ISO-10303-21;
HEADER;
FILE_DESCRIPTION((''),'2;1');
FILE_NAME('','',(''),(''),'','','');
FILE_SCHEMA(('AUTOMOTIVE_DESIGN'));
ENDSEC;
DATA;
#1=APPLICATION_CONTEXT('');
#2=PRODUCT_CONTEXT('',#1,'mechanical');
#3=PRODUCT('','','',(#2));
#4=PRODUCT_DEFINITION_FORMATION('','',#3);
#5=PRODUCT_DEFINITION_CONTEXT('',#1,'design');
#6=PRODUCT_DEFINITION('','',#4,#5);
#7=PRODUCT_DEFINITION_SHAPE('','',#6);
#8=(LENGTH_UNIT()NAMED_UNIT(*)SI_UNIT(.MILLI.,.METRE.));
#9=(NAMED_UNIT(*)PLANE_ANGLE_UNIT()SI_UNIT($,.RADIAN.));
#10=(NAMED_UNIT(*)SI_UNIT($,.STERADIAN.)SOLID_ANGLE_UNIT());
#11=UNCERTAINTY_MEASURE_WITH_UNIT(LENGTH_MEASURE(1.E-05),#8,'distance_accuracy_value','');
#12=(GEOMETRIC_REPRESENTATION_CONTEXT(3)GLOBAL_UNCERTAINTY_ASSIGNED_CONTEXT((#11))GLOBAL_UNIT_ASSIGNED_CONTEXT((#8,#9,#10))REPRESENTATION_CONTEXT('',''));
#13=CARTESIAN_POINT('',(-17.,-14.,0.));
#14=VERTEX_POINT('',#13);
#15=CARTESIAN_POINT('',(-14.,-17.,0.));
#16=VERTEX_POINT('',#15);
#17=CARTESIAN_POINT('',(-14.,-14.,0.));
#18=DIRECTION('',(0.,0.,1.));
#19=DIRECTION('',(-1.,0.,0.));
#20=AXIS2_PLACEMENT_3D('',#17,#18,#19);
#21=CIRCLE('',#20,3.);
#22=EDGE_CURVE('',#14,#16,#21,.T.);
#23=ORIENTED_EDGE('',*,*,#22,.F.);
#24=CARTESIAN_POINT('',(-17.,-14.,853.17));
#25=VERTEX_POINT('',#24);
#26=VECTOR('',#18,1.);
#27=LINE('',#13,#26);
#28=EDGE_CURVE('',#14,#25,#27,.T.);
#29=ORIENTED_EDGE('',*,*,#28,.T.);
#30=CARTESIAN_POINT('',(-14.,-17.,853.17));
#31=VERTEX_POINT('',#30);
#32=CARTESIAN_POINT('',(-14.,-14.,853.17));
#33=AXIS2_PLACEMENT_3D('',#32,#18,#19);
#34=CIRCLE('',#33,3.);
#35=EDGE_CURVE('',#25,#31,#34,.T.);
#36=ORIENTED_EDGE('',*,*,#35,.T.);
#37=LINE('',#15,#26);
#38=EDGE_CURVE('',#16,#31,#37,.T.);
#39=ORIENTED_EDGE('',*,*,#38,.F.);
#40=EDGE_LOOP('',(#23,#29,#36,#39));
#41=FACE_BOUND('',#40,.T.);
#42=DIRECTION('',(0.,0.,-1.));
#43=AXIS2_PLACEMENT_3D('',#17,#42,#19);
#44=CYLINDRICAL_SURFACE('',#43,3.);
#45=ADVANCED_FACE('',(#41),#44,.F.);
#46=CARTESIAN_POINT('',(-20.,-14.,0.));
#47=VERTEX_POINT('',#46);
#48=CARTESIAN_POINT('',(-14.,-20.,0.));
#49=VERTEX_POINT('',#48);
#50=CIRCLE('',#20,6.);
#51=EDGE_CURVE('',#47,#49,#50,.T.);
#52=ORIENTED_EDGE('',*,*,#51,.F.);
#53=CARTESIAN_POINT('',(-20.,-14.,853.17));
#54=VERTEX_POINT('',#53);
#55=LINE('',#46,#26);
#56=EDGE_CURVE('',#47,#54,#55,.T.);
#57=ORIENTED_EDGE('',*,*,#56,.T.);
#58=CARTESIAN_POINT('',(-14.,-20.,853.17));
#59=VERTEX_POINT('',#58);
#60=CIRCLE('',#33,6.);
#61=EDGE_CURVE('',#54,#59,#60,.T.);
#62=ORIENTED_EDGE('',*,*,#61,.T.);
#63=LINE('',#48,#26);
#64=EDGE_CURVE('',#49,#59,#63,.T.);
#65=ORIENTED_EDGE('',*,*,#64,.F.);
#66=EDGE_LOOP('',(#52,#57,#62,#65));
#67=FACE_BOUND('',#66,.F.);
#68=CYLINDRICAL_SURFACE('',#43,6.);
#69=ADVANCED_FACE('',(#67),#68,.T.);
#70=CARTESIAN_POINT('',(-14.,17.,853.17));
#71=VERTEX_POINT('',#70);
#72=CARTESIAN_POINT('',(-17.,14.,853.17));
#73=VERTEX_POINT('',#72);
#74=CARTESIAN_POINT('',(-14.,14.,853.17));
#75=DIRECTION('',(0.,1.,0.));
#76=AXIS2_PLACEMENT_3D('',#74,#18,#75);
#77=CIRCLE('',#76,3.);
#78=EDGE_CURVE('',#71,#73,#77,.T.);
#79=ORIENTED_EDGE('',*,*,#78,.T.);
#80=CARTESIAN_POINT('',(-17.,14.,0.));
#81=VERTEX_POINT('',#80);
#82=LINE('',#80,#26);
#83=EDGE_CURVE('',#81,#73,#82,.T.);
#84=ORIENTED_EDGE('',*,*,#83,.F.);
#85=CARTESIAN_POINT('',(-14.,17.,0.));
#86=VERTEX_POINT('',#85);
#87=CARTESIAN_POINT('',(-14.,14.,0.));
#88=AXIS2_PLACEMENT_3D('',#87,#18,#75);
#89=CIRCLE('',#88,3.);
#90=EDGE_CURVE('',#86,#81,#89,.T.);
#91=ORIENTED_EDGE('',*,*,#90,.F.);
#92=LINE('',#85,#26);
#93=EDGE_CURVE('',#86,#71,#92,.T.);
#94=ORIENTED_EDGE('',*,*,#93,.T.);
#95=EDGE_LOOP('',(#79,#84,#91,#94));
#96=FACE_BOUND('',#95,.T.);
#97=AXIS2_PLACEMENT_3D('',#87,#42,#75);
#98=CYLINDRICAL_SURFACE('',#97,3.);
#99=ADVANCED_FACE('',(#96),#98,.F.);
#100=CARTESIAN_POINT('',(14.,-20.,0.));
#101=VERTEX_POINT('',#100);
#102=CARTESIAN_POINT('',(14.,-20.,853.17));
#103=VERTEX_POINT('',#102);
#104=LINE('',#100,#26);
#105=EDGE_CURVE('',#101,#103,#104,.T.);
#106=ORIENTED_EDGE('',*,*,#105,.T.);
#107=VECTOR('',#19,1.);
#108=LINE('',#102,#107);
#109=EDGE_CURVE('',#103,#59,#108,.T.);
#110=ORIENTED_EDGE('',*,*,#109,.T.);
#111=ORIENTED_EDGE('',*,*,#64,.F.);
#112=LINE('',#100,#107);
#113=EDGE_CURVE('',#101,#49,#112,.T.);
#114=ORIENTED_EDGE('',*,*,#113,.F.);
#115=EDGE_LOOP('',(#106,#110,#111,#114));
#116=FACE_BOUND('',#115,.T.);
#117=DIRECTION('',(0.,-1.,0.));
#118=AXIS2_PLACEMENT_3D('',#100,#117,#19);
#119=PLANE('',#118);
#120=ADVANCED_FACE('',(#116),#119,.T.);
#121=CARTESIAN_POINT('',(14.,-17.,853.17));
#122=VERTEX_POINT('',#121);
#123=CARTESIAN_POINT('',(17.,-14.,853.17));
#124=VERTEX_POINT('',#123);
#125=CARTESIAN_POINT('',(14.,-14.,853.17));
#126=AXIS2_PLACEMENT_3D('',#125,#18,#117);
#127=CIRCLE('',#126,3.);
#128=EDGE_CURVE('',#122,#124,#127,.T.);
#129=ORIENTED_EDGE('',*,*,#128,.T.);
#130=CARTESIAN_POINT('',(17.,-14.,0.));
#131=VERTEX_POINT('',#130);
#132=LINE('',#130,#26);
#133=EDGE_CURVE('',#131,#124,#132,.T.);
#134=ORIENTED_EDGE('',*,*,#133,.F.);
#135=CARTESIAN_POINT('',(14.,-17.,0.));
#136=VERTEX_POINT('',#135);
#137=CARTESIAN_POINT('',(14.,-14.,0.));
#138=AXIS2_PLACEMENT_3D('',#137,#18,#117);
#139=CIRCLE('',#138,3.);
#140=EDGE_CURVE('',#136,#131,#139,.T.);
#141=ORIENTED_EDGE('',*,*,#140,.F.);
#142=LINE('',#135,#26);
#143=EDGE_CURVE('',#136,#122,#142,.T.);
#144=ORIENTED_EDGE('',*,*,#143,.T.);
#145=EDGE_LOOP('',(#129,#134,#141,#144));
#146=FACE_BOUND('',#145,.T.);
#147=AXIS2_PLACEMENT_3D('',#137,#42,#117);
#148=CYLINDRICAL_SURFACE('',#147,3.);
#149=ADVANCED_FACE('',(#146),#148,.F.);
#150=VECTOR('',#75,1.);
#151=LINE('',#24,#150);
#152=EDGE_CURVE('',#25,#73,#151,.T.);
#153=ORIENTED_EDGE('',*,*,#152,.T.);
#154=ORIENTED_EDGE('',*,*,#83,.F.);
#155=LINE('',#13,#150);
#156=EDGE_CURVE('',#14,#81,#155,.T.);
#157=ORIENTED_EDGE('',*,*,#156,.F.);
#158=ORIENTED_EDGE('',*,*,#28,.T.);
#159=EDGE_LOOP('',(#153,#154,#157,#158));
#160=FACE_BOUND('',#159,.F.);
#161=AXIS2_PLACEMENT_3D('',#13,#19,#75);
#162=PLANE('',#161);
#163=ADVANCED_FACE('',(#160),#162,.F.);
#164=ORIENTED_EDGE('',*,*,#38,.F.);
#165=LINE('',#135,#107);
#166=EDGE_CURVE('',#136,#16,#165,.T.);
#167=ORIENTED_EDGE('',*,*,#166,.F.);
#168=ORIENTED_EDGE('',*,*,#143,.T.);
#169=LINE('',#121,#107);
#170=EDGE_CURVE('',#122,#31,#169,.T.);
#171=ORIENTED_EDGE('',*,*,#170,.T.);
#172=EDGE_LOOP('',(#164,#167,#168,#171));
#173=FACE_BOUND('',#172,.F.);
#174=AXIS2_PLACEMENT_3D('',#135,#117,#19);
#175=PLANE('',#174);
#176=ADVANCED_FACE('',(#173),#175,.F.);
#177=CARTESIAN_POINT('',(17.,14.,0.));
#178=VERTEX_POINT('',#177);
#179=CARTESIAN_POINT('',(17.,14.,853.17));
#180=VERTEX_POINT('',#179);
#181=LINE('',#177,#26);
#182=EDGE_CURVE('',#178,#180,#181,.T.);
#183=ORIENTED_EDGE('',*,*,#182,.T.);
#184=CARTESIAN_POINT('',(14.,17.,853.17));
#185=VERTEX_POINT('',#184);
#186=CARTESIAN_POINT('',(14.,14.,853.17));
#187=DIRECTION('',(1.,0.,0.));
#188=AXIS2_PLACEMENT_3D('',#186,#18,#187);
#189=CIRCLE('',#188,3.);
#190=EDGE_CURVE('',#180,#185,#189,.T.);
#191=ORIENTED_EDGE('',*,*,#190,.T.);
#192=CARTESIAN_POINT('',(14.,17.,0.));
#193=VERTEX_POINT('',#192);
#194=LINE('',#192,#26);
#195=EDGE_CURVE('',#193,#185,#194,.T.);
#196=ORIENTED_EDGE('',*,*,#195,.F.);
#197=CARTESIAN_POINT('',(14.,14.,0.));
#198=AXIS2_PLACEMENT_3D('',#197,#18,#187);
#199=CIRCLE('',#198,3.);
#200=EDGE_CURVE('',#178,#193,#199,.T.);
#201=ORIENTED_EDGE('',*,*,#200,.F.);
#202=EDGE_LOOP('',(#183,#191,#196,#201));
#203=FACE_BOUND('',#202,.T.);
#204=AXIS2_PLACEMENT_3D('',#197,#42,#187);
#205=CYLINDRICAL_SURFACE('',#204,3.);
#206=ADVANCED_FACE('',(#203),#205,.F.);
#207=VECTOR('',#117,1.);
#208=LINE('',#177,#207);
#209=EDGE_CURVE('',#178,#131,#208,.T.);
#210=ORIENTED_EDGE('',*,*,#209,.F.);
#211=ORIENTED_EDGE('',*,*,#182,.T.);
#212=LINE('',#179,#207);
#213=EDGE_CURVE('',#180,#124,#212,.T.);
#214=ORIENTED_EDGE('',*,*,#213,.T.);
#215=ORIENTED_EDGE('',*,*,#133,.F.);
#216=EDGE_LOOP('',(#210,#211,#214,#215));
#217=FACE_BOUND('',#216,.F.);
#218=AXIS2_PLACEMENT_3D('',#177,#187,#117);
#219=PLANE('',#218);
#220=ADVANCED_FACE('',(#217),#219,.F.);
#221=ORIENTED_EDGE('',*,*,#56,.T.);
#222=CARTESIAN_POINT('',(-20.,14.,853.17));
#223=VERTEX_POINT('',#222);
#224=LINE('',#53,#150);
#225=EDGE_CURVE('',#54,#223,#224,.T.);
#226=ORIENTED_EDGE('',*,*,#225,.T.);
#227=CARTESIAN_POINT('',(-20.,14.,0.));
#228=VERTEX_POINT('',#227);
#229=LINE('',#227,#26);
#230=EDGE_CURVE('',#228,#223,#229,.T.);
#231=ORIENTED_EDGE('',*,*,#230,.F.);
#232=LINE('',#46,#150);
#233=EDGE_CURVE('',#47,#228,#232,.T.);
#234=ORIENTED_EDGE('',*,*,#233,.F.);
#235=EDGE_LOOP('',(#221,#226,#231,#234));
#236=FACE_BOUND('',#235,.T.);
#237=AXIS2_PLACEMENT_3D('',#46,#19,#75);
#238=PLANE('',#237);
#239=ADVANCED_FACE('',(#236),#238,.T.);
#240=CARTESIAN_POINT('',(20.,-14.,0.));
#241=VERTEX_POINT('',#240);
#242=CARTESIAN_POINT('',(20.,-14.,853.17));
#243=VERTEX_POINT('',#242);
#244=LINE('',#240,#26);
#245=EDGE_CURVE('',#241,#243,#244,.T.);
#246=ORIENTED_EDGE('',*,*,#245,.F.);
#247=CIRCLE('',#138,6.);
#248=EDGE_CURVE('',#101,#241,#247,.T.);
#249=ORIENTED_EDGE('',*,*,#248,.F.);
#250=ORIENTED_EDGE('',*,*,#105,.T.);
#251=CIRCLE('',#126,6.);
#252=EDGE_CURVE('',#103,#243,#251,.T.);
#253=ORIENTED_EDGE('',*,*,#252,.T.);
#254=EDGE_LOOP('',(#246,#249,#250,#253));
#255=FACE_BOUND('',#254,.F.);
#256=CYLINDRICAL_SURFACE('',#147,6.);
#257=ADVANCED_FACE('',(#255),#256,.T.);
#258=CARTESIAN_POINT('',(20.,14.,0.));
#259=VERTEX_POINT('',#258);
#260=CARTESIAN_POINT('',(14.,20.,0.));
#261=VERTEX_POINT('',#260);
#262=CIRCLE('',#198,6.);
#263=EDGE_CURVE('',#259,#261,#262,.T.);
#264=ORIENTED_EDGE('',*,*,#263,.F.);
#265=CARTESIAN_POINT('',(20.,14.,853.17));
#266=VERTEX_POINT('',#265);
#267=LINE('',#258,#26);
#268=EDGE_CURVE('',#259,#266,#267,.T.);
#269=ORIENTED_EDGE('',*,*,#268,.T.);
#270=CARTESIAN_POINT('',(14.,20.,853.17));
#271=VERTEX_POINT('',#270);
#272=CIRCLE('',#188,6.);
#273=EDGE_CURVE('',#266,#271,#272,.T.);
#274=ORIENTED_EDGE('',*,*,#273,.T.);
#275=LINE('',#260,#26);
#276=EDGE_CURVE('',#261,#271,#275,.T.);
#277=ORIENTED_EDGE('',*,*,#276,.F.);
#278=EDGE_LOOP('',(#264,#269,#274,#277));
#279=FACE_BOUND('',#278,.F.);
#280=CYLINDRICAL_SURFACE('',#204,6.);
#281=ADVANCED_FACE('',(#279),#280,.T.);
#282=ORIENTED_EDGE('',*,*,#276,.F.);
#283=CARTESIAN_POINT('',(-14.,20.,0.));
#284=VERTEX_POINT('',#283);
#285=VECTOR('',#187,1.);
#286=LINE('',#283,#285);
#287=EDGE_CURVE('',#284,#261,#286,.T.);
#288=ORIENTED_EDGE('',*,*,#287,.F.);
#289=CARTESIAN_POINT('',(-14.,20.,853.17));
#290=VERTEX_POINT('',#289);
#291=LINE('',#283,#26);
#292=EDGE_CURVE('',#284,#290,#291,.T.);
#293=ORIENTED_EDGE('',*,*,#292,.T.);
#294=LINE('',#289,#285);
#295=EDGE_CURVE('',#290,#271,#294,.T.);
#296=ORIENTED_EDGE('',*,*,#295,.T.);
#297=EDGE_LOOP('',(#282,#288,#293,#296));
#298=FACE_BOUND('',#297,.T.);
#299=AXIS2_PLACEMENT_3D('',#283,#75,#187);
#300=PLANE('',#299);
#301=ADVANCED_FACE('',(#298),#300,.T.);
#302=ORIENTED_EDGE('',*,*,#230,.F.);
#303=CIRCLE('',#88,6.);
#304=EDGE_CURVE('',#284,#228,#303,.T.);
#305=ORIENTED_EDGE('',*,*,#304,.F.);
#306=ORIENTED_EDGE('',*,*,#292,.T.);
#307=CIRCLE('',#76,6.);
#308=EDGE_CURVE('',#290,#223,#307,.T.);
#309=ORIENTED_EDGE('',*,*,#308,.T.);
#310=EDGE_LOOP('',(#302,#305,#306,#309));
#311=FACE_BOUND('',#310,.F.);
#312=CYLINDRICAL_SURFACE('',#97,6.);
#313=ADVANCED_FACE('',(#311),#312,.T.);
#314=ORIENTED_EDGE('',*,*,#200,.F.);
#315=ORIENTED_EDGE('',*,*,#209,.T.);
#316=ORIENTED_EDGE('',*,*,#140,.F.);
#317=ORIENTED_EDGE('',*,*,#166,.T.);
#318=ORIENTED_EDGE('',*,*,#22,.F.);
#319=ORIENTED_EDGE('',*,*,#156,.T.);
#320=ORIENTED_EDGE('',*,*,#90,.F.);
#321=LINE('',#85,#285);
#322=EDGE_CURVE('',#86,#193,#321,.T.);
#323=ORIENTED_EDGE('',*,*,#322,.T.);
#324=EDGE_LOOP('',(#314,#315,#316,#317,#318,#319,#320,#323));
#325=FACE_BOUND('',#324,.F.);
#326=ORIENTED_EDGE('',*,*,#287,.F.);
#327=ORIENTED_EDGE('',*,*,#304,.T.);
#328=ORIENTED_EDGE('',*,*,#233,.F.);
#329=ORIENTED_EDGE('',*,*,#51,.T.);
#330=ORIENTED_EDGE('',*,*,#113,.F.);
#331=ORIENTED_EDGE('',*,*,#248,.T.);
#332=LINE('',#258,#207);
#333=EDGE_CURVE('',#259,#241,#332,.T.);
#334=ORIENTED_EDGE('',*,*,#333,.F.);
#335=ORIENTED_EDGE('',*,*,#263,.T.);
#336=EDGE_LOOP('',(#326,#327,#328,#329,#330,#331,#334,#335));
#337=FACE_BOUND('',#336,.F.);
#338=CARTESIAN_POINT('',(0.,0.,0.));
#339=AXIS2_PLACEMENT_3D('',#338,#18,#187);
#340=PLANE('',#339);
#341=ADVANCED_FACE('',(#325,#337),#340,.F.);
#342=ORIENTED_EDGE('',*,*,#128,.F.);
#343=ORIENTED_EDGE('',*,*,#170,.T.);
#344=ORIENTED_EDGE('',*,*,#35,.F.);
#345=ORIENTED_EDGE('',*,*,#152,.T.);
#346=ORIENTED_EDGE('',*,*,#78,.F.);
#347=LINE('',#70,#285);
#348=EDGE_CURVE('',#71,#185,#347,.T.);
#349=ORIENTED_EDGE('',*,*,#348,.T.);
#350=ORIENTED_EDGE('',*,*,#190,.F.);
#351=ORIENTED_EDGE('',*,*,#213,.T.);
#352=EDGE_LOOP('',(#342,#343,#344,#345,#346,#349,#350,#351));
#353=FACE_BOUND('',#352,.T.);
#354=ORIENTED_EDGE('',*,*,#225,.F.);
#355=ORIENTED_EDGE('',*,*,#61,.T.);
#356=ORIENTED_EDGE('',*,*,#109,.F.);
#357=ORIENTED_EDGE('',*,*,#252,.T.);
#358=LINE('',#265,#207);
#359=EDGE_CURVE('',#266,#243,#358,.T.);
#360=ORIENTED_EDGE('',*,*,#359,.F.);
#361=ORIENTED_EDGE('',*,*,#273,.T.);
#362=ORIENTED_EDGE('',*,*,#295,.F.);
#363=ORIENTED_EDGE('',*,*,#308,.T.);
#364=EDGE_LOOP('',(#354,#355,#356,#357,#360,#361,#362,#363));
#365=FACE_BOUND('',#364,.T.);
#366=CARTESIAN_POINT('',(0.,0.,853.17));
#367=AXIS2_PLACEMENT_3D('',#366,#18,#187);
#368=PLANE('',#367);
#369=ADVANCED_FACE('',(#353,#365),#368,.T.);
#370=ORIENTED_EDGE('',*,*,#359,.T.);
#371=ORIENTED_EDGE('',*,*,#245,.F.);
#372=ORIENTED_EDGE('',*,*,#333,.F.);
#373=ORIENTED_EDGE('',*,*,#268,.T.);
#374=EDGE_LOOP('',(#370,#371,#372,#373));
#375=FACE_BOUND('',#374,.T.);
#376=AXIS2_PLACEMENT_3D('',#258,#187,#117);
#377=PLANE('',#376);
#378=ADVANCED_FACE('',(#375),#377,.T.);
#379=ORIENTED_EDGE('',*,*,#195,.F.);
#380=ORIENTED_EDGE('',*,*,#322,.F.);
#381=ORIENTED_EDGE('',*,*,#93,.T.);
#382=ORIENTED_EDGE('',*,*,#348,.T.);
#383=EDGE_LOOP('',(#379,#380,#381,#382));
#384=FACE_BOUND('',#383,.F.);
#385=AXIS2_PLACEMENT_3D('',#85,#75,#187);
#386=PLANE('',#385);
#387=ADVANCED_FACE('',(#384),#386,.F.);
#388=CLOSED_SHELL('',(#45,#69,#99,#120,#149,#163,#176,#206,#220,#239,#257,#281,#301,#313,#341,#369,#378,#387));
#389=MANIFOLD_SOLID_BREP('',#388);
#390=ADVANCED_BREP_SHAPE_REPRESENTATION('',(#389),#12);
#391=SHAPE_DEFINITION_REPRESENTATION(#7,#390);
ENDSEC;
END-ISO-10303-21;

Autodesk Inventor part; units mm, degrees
ref_plane "YZ Plane" through (0, 0, 0) normal (1, 0, 0) x (0, 1, 0)
ref_plane "Start Plane" through (0, 0, 0) normal (0, 0, 1) x (1, 0, 0)
ref_plane "End Plane" through (0, 0, 853.17) normal (0, 0, 1) x (1, 0, 0)
sketch "Sketch" plane through (0, 0, 0) normal (0, 0, 1) x (1, 0, 0)
  line L0 (-20, -14) -> (-20, 14)
  line L1 (-14, 20) -> (14, 20)
  line L2 (20, 14) -> (20, -14)
  line L3 (14, -20) -> (-14, -20)
  arc A0 (-20, -14) -> (-14, -20) centre (-14, -14) ccw
  arc A1 (20, 14) -> (14, 20) centre (14, 14) ccw
  arc A2 (-14, 20) -> (-20, 14) centre (-14, 14) ccw
  arc A3 (14, -20) -> (20, -14) centre (14, -14) ccw
  arc A4 (-14, 17) -> (-17, 14) centre (-14, 14) ccw
  line L4 (-14, 17) -> (14, 17)
  arc A5 (17, 14) -> (14, 17) centre (14, 14) ccw
  line L5 (17, 14) -> (17, -14)
  arc A6 (14, -17) -> (17, -14) centre (14, -14) ccw
  line L6 (14, -17) -> (-14, -17)
  arc A7 (-17, -14) -> (-14, -17) centre (-14, -14) ccw
  line L7 (-17, -14) -> (-17, 14)
  line L8 (0, 29.7397) -> (0, -29.7397) construction
  line L9 (-29.7397, 0) -> (29.7397, 0) construction
  dimension "d7" = 6
  dimension "d9" = 40
  dimension "d11" = 40
  dimension "d12" = 3
  dimension "d15" = 20
  dimension "d16" = 20
extrude "Body" add sketch "Sketch" along normal up to surface (853.17 mm away) from surface at 0
sketch "Sketch3" plane through (0, 0, 0) normal (0, 0, 1) x (1, 0, 0)
  line L0 (0, 0) -> (10, 0)
ref_plane "Work Plane3" through (0, 0, 0) normal (0, -1, 0) x (1, 0, 0)
sketch "Sketch4" plane through (0, 0, 0) normal (0, -1, 0) x (1, 0, 0)
  line L0 (-2, 0) -> (12, 0) projected
  line L1 (-2, 853.17) -> (12, 853.17) projected
  dimension "d18" = 853.17
equation "\"d7\" = G_IR"
equation "\"d9\" = G_W"
equation "\"d11\" = G_H"
equation "\"d12\" = G_T"
equation "\"d15\" = 0.5 * d9"
equation "\"d16\" = 0.5 * d11"
equation "\"d3\" = G_L"
equation "\"G_W\" = 40"
equation "\"G_H\" = 40"
equation "\"G_T\" = 3"
equation "\"G_IR\" = 6"
equation "\"G_L\" = d18"
equation "\"G_OFFSET_START\" = 0"
equation "\"G_OFFSET_END\" = 0"
equation "\"d14\" = G_OFFSET_END + B_L"
equation "\"B_L\" = 853.16999"
properties part number "ISO 10799-2 - 40x40x3 - 853,17" material "Steel, Mild"
